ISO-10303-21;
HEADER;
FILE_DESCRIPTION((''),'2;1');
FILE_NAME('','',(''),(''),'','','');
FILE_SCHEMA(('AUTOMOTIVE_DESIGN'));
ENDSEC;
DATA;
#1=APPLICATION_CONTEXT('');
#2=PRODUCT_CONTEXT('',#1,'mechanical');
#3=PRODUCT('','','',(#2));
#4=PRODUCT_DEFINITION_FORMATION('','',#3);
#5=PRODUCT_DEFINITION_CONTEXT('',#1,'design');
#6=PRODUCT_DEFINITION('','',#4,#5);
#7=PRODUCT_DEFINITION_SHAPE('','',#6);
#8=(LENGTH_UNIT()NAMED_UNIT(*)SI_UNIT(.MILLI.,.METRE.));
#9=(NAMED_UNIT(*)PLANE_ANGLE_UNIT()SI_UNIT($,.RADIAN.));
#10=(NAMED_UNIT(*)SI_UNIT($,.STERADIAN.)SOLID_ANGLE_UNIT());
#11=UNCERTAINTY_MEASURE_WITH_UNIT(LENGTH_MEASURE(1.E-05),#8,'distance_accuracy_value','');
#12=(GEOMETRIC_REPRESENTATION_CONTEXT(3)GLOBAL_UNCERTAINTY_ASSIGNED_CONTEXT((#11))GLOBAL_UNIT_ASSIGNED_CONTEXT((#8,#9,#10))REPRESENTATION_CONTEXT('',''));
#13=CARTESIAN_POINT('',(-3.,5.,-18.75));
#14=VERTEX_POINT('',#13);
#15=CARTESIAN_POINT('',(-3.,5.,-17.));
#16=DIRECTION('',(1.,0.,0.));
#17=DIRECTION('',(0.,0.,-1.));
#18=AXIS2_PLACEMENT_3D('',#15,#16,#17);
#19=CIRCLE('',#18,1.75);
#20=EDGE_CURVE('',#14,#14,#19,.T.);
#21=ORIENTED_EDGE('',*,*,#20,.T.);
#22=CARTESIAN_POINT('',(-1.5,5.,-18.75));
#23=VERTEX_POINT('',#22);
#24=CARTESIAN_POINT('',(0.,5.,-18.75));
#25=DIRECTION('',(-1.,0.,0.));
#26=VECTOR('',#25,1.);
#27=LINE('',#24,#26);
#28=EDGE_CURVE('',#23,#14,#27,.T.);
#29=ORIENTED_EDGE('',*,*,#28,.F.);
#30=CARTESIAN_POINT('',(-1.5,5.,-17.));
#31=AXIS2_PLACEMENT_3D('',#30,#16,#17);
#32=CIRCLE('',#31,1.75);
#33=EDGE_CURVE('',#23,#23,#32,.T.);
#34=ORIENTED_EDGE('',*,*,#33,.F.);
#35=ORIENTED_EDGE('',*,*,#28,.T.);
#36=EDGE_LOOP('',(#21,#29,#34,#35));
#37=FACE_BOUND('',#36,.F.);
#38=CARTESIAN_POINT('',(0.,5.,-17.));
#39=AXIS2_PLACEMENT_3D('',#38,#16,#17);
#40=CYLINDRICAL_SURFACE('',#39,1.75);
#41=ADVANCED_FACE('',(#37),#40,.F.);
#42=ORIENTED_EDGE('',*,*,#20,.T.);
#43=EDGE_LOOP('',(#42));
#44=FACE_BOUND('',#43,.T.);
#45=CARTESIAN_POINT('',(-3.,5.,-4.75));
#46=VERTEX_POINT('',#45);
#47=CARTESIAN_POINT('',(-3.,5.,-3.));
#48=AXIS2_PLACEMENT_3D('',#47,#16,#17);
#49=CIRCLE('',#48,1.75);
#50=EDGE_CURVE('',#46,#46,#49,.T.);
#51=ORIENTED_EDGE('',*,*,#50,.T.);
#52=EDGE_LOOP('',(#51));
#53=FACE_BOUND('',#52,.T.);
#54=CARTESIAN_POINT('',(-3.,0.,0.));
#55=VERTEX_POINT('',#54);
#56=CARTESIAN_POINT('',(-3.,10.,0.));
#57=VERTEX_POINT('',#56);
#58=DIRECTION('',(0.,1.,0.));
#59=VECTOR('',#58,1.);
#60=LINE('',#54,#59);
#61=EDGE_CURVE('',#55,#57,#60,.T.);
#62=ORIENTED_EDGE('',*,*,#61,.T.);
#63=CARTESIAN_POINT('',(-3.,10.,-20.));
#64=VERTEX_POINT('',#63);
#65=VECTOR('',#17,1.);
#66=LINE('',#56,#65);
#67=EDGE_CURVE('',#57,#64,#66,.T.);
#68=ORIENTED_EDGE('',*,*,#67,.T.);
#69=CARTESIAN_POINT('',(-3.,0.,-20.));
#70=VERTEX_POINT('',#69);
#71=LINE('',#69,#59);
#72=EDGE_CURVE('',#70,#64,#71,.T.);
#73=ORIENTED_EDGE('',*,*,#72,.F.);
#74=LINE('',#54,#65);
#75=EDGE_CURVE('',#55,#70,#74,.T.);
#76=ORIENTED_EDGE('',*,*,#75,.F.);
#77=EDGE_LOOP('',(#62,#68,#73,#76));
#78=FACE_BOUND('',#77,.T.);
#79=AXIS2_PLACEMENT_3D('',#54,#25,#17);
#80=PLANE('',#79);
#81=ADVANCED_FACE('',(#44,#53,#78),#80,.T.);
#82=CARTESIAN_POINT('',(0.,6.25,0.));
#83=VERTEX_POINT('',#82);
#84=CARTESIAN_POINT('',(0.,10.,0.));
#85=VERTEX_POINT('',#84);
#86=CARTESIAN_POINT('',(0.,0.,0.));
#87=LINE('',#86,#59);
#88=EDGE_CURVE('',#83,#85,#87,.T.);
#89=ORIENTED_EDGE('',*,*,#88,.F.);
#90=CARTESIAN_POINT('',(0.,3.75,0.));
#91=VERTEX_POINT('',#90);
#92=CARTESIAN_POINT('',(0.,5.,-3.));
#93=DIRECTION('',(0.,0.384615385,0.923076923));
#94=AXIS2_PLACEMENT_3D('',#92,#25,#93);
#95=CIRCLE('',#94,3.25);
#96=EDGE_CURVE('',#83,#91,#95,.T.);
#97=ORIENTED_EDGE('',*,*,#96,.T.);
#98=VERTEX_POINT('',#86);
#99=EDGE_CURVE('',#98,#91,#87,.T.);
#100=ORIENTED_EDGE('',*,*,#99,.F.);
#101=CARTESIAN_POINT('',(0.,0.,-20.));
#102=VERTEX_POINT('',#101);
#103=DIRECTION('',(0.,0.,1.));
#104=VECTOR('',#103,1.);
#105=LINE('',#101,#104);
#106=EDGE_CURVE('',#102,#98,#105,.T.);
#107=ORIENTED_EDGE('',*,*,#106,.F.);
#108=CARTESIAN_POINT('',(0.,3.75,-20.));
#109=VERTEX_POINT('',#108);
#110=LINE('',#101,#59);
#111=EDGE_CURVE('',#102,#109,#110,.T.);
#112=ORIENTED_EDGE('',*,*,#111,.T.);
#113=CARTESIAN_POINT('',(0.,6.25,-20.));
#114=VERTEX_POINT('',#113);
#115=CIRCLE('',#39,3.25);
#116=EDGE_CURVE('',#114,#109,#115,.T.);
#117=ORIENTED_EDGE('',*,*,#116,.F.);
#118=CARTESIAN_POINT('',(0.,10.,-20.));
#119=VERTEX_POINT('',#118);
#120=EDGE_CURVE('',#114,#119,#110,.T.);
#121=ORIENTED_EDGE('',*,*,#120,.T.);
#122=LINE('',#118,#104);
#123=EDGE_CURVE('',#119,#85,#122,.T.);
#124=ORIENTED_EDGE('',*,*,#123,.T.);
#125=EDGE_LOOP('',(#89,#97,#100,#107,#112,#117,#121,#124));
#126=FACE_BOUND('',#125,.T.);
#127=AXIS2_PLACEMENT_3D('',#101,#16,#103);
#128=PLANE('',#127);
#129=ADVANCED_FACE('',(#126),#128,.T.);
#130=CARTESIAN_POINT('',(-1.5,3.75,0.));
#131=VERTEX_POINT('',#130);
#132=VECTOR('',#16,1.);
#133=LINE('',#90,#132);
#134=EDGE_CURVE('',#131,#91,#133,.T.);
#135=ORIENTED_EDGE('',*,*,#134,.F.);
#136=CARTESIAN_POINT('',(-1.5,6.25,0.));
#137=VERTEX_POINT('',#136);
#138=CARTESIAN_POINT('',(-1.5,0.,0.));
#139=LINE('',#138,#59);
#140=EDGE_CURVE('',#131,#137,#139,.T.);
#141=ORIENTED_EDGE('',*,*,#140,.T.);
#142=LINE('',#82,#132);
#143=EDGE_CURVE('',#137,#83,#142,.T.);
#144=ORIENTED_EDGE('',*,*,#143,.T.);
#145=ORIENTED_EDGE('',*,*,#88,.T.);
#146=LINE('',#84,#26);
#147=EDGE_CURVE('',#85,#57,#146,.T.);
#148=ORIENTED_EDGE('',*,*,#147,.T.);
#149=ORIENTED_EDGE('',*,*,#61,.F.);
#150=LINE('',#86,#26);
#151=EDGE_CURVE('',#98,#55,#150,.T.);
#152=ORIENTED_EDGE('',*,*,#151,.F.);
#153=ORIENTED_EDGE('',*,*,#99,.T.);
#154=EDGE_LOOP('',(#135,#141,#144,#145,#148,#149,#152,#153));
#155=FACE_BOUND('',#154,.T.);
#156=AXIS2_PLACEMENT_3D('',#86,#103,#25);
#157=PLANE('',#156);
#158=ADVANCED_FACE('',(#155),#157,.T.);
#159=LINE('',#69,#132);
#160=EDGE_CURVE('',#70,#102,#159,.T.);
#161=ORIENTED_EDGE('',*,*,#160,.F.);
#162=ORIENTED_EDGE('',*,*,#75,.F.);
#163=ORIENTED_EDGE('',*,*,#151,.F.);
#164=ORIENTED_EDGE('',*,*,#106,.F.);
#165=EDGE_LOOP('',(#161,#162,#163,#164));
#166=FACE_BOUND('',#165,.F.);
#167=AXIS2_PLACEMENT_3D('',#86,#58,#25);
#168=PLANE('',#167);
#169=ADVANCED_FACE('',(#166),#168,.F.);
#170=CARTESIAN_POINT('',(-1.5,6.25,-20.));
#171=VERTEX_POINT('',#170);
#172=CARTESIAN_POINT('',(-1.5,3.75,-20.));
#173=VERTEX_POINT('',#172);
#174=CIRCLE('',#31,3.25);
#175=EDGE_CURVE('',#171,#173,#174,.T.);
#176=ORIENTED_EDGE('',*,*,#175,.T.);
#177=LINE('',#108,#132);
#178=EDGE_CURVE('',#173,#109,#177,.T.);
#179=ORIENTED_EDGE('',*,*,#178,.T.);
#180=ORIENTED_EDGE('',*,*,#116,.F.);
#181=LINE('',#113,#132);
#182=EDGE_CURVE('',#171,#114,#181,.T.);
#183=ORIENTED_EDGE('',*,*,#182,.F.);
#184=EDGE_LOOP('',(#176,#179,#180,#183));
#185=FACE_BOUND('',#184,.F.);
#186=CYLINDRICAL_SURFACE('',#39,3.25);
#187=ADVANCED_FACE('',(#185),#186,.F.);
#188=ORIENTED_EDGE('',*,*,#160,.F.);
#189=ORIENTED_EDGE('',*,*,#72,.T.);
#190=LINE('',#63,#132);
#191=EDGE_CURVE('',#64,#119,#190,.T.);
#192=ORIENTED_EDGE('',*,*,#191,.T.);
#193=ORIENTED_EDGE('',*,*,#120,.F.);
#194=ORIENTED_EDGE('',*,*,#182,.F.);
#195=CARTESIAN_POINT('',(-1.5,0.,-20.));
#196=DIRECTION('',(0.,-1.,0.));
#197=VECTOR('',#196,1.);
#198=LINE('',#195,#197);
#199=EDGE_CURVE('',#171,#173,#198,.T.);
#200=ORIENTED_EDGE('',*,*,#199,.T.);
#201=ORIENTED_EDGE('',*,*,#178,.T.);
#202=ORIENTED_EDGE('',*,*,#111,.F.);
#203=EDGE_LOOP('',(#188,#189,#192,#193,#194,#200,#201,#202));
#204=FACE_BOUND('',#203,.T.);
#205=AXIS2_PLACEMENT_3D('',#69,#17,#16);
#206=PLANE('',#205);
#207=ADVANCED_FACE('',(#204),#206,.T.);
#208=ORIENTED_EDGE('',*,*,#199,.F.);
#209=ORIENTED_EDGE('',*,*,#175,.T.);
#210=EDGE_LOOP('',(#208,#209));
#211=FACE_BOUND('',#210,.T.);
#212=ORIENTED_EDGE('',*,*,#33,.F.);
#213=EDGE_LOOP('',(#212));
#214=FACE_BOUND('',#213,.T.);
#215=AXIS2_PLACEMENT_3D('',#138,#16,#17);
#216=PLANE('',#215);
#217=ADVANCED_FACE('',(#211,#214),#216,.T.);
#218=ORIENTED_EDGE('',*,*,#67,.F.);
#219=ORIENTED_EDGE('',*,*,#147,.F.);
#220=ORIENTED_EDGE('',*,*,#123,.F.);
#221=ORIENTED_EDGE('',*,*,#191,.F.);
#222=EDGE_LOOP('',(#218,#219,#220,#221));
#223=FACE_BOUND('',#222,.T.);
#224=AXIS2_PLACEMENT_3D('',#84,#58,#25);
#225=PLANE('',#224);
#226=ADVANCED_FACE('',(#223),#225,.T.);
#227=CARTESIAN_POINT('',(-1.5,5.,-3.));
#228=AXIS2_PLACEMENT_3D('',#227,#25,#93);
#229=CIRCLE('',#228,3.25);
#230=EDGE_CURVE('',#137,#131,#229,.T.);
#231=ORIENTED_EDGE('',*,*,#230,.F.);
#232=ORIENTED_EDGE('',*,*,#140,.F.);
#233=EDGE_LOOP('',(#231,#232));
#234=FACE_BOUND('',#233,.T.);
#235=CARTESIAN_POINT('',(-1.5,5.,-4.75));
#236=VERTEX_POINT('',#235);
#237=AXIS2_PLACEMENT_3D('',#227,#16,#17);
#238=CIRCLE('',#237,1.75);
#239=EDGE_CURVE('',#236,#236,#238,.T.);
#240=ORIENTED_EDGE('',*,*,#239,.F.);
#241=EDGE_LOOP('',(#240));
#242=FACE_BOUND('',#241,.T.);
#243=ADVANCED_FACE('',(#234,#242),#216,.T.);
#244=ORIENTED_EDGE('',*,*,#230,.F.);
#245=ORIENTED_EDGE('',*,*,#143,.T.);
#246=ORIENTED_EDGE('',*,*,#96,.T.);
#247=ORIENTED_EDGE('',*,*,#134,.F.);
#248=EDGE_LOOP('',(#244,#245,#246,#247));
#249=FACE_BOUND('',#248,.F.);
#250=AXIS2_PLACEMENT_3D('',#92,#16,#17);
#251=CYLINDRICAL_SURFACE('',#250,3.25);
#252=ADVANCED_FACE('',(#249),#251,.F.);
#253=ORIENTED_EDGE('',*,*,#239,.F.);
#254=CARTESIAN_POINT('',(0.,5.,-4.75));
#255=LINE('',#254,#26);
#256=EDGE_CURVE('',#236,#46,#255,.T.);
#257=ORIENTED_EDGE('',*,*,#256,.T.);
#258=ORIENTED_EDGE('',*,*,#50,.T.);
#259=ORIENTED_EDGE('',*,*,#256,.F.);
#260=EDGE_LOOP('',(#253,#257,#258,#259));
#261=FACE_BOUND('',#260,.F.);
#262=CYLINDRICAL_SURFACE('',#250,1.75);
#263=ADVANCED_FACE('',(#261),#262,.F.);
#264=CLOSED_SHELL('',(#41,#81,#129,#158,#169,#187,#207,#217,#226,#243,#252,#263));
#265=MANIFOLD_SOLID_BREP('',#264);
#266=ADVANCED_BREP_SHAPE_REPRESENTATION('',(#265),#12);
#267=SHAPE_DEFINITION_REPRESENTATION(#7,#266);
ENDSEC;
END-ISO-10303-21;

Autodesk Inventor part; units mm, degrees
ref_plane "YZ Plane" through (0, 0, 0) normal (1, 0, 0) x (0, 1, 0)
ref_plane "XZ Plane" through (0, 0, 0) normal (0, 1, 0) x (-1, 0, 0)
ref_plane "XY Plane" through (0, 0, 0) normal (0, 0, 1) x (1, 0, 0)
sketch "Sketch1" plane through (0, 0, 0) normal (0, 1, 0) x (-1, 0, 0)
  line L0 (0, 0) -> (3, 0)
  line L1 (3, 0) -> (3, -20)
  line L2 (3, -20) -> (0, -20)
  line L3 (0, -20) -> (0, 0)
  dimension "d0" = 3
  dimension "d1" = 20
extrude "Extrusion1" add sketch "Sketch1" along normal blind 10
sketch "Sketch2" plane through (0, 0, 0) normal (1, 0, 0) x (0, 0, -1)
  line L0 (0, 10) -> (20, 10) construction
  line L1 (10, 10) -> (10, 0) construction
  line L2 (20, 0) -> (0, 0) construction
  line L3 (10, 10) -> (3, 10) construction
  line L4 (10, 10) -> (17, 10) construction
  line L5 (10, 5) -> (0, 5) construction
  line L6 (0, 0) -> (0, 10) construction
  line L7 (10, 5) -> (20, 5) construction
  circle A0 centre (3, 5) radius 3.25 construction
  circle A1 centre (17, 5) radius 3.25 construction
  circle A2 centre (3, 5) radius 3.25
  circle A3 centre (17, 5) radius 3.25
  dimension "d4" = 7
  dimension "d5" = 7
  dimension "d6" = 6.5
  dimension "d7" = 6.5
  dimension "d8" = 6.5
  dimension "d9" = 20
  dimension "d10" = 17
  dimension "d11" = 3
extrude "Extrusion2" cut sketch "Sketch2" against normal blind 1.5
sketch "Sketch3" plane through (0, 0, 0) normal (1, 0, 0) x (0, 0, -1)
  arc A0 (0, 3.75) -> (0, 6.25) centre (3, 5) ccw construction
  line L0 (3, 1.75) -> (3, 5) construction
  arc A1 (20, 6.25) -> (20, 3.75) centre (17, 5) ccw construction
  line L1 (17, 1.75) -> (17, 5) construction
  circle A2 centre (3, 5) radius 1.75 construction
  circle A3 centre (17, 5) radius 1.75 construction
  circle A4 centre (3, 5) radius 1.75
  circle A5 centre (17, 5) radius 1.75
  point P0 (0, 0)
  dimension "d14" = 3.5
  dimension "d15" = 3.5
extrude "Extrusion3" cut sketch "Sketch3" against normal blind 25374.6
properties part number "Bearing Keeper" material "Aluminum 6061"
